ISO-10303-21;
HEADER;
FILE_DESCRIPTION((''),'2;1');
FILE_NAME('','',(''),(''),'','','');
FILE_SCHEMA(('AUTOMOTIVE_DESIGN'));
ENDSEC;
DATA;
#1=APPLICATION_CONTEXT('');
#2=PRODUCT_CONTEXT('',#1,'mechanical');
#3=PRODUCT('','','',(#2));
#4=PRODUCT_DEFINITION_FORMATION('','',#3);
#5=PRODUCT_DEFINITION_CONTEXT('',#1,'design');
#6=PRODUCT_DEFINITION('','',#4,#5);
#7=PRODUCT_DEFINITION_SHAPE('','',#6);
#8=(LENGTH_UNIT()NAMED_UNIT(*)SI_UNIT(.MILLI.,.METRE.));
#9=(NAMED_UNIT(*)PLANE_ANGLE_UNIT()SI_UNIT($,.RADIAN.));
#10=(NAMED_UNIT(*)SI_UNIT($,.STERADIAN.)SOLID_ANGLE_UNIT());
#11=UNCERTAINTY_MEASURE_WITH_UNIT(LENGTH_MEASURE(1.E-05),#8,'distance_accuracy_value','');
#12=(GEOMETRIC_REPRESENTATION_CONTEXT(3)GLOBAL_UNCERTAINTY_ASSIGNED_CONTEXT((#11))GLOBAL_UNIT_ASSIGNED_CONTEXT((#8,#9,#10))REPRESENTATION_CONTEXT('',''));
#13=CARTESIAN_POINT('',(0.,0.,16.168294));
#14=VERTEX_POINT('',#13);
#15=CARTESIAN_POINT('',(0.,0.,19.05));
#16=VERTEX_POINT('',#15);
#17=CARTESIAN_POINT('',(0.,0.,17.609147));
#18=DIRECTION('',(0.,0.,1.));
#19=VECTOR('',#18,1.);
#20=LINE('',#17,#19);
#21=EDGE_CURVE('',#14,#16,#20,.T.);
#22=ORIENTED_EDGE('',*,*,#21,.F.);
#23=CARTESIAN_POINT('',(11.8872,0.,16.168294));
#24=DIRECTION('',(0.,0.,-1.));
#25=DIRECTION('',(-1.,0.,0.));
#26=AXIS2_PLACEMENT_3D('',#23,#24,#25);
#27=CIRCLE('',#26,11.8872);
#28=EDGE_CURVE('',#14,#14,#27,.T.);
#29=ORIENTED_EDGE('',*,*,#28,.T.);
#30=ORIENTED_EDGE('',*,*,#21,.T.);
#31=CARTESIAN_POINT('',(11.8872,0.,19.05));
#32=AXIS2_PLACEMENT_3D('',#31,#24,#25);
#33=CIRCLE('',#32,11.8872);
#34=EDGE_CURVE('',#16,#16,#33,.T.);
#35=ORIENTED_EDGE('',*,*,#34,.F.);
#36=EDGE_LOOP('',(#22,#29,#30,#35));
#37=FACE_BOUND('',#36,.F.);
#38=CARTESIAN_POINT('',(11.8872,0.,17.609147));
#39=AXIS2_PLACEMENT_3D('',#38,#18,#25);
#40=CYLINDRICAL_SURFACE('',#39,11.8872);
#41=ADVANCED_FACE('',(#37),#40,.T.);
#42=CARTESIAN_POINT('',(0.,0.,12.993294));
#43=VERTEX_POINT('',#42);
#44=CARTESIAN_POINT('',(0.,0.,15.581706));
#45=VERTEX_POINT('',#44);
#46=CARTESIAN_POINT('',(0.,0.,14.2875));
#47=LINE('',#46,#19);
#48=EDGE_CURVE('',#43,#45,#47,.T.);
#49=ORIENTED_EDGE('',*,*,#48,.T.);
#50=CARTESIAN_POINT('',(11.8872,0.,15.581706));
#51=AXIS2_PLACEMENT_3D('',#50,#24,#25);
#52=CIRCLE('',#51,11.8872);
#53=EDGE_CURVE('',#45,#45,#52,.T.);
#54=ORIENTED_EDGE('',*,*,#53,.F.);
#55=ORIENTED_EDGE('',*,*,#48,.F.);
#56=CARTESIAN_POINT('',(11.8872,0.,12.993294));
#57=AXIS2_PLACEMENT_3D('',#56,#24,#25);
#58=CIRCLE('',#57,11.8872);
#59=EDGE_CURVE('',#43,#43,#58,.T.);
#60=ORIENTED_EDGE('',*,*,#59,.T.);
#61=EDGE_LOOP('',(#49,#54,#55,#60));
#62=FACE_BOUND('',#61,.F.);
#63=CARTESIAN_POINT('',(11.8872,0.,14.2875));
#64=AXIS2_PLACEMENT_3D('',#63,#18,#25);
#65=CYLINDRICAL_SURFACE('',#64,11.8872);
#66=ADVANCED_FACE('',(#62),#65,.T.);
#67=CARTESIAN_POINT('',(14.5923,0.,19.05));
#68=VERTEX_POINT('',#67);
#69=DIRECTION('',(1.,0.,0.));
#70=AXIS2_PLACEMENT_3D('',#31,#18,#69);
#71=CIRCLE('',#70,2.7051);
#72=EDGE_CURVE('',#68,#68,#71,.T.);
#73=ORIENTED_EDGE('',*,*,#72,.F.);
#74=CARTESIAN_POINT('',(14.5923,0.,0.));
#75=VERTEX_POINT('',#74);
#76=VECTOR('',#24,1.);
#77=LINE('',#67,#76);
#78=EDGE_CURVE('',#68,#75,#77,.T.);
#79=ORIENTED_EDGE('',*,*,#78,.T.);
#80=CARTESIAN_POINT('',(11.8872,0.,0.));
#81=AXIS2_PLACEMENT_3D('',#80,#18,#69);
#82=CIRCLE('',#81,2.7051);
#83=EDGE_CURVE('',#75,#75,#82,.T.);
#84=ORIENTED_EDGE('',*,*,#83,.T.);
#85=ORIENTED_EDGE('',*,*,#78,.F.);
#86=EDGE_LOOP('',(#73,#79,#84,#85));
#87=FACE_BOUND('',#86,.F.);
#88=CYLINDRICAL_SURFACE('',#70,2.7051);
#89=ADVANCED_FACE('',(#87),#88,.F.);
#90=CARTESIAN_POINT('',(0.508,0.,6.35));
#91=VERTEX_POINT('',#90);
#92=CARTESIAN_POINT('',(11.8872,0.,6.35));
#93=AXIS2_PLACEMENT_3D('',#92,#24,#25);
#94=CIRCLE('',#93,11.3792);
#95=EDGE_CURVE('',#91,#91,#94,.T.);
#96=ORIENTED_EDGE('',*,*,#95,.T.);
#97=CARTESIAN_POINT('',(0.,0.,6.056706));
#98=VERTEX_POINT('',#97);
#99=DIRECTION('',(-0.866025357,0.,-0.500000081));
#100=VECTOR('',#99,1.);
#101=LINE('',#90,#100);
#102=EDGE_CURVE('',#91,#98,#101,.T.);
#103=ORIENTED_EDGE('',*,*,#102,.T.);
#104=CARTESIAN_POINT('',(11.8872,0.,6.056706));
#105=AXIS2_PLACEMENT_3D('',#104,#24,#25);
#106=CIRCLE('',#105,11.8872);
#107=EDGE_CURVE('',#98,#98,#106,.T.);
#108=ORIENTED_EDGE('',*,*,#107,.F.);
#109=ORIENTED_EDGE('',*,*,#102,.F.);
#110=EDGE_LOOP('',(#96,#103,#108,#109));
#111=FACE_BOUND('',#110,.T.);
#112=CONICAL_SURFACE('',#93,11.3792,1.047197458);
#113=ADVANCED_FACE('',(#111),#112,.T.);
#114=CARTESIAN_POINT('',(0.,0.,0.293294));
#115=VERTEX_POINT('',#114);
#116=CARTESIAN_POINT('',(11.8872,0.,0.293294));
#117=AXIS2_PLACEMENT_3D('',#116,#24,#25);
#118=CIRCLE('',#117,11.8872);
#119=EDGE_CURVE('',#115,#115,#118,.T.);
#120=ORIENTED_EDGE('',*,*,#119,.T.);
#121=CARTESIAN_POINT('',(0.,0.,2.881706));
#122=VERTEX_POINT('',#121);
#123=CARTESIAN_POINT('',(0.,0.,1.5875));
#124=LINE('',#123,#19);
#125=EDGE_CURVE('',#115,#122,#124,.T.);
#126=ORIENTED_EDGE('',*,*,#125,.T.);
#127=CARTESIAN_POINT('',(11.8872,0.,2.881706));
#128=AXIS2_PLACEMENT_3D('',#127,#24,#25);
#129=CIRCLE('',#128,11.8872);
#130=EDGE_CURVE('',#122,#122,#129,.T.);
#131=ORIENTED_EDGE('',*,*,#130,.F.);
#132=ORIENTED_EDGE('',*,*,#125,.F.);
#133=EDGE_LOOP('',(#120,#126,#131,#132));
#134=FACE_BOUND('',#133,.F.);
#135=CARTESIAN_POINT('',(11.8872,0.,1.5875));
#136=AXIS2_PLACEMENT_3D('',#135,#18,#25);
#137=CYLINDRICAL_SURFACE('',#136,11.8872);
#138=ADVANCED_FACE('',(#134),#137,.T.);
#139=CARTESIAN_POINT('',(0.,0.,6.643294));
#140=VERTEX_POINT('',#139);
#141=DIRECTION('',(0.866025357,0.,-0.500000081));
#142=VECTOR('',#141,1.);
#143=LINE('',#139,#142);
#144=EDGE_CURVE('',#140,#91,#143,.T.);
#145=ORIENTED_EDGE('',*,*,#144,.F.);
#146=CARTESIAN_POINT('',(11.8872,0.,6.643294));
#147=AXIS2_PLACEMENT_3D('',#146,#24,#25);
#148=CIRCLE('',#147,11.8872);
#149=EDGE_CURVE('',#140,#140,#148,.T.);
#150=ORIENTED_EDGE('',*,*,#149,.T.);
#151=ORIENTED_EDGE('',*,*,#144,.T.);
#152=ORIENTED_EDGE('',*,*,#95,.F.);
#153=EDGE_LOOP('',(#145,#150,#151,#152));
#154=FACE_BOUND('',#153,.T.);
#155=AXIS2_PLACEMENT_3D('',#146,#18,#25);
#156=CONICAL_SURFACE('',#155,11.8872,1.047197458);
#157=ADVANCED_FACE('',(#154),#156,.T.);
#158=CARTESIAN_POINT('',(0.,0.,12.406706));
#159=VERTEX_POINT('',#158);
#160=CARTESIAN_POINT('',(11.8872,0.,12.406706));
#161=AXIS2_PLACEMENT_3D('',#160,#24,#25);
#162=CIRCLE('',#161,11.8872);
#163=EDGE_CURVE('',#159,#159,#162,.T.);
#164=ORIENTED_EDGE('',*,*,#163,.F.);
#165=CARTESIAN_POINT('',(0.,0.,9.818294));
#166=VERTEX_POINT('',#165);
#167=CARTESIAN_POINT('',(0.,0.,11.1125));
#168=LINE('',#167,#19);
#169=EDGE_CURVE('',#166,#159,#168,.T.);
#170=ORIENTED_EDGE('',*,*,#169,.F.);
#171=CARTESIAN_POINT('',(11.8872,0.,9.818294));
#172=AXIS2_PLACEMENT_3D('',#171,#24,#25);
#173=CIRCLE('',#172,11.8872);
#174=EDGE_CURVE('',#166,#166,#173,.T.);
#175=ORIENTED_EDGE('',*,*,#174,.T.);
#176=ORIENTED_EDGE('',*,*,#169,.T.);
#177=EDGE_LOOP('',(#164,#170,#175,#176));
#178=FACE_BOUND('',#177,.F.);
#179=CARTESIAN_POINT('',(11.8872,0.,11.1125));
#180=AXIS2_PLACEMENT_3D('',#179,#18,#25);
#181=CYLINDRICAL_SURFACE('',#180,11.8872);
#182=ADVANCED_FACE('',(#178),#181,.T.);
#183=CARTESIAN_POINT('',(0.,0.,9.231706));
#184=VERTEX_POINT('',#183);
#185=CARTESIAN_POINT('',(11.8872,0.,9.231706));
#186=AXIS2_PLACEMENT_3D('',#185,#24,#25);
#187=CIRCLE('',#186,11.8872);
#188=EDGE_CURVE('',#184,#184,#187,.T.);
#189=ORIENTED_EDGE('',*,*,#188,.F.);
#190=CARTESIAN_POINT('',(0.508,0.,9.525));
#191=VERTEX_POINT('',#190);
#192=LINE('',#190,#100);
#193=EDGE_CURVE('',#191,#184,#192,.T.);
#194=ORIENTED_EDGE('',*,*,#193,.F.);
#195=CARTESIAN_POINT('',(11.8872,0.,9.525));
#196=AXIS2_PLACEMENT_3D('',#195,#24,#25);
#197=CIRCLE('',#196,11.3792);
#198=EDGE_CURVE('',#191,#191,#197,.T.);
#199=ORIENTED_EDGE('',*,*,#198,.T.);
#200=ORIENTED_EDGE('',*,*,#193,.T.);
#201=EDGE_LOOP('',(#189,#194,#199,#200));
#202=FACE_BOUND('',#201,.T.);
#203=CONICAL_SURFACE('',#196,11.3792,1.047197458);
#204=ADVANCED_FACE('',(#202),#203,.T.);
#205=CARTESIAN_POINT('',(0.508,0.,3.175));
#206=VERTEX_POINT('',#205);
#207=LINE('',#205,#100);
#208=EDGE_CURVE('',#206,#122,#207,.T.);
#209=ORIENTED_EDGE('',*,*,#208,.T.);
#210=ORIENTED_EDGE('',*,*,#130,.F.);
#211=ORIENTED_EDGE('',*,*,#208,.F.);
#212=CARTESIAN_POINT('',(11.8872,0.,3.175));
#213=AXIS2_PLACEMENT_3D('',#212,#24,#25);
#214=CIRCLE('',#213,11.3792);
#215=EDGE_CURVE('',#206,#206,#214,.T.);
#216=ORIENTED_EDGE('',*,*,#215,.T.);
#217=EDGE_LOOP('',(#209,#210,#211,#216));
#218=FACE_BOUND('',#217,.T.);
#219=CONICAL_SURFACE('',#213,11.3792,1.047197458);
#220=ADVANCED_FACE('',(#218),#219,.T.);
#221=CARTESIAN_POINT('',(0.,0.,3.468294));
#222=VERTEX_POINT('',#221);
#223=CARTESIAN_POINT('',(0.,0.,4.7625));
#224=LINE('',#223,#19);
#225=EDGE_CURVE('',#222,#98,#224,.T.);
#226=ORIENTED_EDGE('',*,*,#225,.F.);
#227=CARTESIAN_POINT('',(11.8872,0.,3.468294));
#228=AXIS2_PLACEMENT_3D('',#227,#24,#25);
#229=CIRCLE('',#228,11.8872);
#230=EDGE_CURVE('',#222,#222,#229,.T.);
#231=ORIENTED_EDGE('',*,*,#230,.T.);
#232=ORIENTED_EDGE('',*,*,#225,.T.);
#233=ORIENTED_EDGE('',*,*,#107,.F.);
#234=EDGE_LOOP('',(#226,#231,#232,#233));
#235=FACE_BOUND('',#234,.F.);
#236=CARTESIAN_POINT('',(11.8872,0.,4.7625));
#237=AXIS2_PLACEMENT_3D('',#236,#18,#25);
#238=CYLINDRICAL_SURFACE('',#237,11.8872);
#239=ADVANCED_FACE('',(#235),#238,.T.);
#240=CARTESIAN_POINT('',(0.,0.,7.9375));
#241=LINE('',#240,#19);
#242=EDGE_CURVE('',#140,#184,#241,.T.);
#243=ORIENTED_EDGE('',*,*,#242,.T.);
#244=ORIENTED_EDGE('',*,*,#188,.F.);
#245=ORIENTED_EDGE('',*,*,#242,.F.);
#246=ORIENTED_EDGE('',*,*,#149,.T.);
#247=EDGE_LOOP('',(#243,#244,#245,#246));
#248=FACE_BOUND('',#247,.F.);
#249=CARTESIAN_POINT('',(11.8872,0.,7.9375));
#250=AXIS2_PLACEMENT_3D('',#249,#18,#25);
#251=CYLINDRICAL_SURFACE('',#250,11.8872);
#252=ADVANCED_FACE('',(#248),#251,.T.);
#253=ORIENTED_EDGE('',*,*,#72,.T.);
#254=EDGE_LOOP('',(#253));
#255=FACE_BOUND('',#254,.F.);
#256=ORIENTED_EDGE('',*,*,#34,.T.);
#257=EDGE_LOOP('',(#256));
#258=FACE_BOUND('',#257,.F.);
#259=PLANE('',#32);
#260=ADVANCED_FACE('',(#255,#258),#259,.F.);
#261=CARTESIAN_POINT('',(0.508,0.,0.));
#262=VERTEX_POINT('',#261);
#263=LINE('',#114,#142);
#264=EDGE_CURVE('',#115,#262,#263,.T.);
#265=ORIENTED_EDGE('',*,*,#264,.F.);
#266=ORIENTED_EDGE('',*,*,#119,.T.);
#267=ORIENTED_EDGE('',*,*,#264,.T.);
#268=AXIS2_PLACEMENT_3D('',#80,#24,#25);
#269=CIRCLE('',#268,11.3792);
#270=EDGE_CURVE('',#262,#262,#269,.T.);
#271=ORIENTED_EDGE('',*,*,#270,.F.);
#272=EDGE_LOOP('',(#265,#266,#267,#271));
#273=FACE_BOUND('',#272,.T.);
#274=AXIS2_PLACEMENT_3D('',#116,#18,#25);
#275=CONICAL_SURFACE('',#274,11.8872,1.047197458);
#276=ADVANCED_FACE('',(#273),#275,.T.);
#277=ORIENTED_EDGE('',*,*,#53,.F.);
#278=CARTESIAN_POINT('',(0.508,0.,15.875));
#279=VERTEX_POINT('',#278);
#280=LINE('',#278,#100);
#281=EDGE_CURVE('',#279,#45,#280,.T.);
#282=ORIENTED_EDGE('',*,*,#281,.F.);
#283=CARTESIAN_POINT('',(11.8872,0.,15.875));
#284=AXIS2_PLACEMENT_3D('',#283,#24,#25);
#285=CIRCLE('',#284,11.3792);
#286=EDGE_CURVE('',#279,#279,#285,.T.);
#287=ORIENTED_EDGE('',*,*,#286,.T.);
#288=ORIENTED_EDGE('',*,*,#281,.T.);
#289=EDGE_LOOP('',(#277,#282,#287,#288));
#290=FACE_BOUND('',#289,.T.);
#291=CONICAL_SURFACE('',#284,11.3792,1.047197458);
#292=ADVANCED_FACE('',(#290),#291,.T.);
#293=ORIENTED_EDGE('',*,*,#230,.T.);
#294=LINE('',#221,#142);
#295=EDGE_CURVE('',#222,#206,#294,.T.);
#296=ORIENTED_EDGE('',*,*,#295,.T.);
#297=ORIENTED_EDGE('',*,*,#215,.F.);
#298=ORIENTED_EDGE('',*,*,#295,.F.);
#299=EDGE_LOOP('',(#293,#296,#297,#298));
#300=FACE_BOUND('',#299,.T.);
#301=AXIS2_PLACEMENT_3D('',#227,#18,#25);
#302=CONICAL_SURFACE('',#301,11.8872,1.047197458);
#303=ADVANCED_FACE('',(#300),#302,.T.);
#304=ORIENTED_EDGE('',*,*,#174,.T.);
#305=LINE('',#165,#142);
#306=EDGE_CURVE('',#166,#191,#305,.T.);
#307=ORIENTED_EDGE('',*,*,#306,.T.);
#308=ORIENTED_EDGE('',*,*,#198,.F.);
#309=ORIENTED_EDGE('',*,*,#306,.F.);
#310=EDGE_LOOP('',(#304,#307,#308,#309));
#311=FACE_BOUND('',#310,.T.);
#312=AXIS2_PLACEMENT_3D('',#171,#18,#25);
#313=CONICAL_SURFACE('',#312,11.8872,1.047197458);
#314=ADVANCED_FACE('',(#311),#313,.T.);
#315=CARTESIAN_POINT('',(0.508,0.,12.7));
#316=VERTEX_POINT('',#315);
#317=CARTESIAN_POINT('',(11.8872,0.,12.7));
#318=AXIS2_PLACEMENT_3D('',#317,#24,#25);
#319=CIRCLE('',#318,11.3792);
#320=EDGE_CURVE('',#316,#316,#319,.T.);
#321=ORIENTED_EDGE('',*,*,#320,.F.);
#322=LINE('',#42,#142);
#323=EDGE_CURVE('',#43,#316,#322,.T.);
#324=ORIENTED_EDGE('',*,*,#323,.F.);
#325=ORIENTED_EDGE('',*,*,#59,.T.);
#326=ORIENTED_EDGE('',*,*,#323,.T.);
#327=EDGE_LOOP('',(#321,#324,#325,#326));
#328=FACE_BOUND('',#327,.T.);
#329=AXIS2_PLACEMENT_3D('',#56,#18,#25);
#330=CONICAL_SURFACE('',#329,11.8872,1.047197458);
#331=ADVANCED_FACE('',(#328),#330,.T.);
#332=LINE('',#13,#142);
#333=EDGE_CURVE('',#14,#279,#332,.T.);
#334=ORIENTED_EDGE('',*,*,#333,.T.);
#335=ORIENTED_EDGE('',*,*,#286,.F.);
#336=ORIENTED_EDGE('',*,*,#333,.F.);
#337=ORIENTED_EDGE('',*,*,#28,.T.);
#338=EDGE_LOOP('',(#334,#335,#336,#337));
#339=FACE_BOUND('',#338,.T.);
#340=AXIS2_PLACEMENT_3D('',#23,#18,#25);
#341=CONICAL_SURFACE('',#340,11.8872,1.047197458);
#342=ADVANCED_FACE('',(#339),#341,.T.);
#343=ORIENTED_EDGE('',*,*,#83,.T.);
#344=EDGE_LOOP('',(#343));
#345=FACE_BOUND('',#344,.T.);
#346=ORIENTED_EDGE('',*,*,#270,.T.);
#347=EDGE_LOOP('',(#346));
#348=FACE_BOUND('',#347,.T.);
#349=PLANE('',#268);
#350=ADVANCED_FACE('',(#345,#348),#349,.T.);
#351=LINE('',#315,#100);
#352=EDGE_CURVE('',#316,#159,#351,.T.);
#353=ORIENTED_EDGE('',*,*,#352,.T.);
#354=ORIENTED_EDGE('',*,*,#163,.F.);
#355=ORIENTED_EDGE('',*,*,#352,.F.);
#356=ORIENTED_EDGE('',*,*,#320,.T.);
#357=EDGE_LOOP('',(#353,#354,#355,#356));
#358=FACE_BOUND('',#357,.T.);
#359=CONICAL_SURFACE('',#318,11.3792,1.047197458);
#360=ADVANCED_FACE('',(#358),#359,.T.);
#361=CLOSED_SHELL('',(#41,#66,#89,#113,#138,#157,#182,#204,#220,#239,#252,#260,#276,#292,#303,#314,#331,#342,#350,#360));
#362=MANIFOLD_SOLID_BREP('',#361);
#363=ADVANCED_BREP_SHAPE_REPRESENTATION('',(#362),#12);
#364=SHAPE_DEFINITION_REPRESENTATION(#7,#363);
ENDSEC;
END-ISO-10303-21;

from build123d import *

# Parameters (mm, degrees)
F0_W     = 11.8872
F0_H     = 2.881706
F0_H_2   = 2.588412
F2_R     = 2.7051
F3_DEPTH = 19.05


with BuildPart() as f1:
    # F0 (on Front) → F1 (revolve)
    with BuildSketch(Plane.XZ):
        with Locations((5.9436, 17.609147)):
            Rectangle(F0_W, F0_H)
        Polygon((11.8872, 16.168294), (0, 16.168294), (0.508, 15.875), (11.8872, 15.875), align=None)
        Polygon((0.508, 15.875), (0, 15.581706), (11.8872, 15.581706), (11.8872, 15.875), align=None)
        with Locations((5.9436, 14.2875)):
            Rectangle(F0_W, F0_H_2)
        Polygon((11.8872, 12.993294), (0, 12.993294), (0.508, 12.7), (11.8872, 12.7), align=None)
        Polygon((0.508, 12.7), (0, 12.406706), (11.8872, 12.406706), (11.8872, 12.7), align=None)
        with Locations((5.9436, 11.1125)):
            Rectangle(F0_W, F0_H_2)
        Polygon((11.8872, 9.818294), (0, 9.818294), (0.508, 9.525), (11.8872, 9.525), align=None)
        Polygon((0.508, 9.525), (0, 9.231706), (11.8872, 9.231706), (11.8872, 9.525), align=None)
        with Locations((5.9436, 7.9375)):
            Rectangle(F0_W, F0_H_2)
        Polygon((11.8872, 6.643294), (0, 6.643294), (0.508, 6.35), (11.8872, 6.35), align=None)
        Polygon((0.508, 6.35), (0, 6.056706), (11.8872, 6.056706), (11.8872, 6.35), align=None)
        with Locations((5.9436, 4.7625)):
            Rectangle(F0_W, F0_H_2)
        Polygon((11.8872, 3.468294), (0, 3.468294), (0.508, 3.175), (11.8872, 3.175), align=None)
        Polygon((0.508, 3.175), (0, 2.881706), (11.8872, 2.881706), (11.8872, 3.175), align=None)
        with Locations((5.9436, 1.5875)):
            Rectangle(F0_W, F0_H_2)
        Polygon((0, 0.293294), (0.508, 0), (11.8872, 0), (11.8872, 0.293294), align=None)
    revolve(axis=Axis((11.8872, 0, 9.525), (0, 0, -1)))

    # F2 (on face) → F3 (cut, through all)
    with BuildSketch(Plane.XY.offset(19.05)):
        with Locations((11.8872, 0)):
            Circle(F2_R)
    extrude(amount=-F3_DEPTH, mode=Mode.SUBTRACT)


solid = f1.part
